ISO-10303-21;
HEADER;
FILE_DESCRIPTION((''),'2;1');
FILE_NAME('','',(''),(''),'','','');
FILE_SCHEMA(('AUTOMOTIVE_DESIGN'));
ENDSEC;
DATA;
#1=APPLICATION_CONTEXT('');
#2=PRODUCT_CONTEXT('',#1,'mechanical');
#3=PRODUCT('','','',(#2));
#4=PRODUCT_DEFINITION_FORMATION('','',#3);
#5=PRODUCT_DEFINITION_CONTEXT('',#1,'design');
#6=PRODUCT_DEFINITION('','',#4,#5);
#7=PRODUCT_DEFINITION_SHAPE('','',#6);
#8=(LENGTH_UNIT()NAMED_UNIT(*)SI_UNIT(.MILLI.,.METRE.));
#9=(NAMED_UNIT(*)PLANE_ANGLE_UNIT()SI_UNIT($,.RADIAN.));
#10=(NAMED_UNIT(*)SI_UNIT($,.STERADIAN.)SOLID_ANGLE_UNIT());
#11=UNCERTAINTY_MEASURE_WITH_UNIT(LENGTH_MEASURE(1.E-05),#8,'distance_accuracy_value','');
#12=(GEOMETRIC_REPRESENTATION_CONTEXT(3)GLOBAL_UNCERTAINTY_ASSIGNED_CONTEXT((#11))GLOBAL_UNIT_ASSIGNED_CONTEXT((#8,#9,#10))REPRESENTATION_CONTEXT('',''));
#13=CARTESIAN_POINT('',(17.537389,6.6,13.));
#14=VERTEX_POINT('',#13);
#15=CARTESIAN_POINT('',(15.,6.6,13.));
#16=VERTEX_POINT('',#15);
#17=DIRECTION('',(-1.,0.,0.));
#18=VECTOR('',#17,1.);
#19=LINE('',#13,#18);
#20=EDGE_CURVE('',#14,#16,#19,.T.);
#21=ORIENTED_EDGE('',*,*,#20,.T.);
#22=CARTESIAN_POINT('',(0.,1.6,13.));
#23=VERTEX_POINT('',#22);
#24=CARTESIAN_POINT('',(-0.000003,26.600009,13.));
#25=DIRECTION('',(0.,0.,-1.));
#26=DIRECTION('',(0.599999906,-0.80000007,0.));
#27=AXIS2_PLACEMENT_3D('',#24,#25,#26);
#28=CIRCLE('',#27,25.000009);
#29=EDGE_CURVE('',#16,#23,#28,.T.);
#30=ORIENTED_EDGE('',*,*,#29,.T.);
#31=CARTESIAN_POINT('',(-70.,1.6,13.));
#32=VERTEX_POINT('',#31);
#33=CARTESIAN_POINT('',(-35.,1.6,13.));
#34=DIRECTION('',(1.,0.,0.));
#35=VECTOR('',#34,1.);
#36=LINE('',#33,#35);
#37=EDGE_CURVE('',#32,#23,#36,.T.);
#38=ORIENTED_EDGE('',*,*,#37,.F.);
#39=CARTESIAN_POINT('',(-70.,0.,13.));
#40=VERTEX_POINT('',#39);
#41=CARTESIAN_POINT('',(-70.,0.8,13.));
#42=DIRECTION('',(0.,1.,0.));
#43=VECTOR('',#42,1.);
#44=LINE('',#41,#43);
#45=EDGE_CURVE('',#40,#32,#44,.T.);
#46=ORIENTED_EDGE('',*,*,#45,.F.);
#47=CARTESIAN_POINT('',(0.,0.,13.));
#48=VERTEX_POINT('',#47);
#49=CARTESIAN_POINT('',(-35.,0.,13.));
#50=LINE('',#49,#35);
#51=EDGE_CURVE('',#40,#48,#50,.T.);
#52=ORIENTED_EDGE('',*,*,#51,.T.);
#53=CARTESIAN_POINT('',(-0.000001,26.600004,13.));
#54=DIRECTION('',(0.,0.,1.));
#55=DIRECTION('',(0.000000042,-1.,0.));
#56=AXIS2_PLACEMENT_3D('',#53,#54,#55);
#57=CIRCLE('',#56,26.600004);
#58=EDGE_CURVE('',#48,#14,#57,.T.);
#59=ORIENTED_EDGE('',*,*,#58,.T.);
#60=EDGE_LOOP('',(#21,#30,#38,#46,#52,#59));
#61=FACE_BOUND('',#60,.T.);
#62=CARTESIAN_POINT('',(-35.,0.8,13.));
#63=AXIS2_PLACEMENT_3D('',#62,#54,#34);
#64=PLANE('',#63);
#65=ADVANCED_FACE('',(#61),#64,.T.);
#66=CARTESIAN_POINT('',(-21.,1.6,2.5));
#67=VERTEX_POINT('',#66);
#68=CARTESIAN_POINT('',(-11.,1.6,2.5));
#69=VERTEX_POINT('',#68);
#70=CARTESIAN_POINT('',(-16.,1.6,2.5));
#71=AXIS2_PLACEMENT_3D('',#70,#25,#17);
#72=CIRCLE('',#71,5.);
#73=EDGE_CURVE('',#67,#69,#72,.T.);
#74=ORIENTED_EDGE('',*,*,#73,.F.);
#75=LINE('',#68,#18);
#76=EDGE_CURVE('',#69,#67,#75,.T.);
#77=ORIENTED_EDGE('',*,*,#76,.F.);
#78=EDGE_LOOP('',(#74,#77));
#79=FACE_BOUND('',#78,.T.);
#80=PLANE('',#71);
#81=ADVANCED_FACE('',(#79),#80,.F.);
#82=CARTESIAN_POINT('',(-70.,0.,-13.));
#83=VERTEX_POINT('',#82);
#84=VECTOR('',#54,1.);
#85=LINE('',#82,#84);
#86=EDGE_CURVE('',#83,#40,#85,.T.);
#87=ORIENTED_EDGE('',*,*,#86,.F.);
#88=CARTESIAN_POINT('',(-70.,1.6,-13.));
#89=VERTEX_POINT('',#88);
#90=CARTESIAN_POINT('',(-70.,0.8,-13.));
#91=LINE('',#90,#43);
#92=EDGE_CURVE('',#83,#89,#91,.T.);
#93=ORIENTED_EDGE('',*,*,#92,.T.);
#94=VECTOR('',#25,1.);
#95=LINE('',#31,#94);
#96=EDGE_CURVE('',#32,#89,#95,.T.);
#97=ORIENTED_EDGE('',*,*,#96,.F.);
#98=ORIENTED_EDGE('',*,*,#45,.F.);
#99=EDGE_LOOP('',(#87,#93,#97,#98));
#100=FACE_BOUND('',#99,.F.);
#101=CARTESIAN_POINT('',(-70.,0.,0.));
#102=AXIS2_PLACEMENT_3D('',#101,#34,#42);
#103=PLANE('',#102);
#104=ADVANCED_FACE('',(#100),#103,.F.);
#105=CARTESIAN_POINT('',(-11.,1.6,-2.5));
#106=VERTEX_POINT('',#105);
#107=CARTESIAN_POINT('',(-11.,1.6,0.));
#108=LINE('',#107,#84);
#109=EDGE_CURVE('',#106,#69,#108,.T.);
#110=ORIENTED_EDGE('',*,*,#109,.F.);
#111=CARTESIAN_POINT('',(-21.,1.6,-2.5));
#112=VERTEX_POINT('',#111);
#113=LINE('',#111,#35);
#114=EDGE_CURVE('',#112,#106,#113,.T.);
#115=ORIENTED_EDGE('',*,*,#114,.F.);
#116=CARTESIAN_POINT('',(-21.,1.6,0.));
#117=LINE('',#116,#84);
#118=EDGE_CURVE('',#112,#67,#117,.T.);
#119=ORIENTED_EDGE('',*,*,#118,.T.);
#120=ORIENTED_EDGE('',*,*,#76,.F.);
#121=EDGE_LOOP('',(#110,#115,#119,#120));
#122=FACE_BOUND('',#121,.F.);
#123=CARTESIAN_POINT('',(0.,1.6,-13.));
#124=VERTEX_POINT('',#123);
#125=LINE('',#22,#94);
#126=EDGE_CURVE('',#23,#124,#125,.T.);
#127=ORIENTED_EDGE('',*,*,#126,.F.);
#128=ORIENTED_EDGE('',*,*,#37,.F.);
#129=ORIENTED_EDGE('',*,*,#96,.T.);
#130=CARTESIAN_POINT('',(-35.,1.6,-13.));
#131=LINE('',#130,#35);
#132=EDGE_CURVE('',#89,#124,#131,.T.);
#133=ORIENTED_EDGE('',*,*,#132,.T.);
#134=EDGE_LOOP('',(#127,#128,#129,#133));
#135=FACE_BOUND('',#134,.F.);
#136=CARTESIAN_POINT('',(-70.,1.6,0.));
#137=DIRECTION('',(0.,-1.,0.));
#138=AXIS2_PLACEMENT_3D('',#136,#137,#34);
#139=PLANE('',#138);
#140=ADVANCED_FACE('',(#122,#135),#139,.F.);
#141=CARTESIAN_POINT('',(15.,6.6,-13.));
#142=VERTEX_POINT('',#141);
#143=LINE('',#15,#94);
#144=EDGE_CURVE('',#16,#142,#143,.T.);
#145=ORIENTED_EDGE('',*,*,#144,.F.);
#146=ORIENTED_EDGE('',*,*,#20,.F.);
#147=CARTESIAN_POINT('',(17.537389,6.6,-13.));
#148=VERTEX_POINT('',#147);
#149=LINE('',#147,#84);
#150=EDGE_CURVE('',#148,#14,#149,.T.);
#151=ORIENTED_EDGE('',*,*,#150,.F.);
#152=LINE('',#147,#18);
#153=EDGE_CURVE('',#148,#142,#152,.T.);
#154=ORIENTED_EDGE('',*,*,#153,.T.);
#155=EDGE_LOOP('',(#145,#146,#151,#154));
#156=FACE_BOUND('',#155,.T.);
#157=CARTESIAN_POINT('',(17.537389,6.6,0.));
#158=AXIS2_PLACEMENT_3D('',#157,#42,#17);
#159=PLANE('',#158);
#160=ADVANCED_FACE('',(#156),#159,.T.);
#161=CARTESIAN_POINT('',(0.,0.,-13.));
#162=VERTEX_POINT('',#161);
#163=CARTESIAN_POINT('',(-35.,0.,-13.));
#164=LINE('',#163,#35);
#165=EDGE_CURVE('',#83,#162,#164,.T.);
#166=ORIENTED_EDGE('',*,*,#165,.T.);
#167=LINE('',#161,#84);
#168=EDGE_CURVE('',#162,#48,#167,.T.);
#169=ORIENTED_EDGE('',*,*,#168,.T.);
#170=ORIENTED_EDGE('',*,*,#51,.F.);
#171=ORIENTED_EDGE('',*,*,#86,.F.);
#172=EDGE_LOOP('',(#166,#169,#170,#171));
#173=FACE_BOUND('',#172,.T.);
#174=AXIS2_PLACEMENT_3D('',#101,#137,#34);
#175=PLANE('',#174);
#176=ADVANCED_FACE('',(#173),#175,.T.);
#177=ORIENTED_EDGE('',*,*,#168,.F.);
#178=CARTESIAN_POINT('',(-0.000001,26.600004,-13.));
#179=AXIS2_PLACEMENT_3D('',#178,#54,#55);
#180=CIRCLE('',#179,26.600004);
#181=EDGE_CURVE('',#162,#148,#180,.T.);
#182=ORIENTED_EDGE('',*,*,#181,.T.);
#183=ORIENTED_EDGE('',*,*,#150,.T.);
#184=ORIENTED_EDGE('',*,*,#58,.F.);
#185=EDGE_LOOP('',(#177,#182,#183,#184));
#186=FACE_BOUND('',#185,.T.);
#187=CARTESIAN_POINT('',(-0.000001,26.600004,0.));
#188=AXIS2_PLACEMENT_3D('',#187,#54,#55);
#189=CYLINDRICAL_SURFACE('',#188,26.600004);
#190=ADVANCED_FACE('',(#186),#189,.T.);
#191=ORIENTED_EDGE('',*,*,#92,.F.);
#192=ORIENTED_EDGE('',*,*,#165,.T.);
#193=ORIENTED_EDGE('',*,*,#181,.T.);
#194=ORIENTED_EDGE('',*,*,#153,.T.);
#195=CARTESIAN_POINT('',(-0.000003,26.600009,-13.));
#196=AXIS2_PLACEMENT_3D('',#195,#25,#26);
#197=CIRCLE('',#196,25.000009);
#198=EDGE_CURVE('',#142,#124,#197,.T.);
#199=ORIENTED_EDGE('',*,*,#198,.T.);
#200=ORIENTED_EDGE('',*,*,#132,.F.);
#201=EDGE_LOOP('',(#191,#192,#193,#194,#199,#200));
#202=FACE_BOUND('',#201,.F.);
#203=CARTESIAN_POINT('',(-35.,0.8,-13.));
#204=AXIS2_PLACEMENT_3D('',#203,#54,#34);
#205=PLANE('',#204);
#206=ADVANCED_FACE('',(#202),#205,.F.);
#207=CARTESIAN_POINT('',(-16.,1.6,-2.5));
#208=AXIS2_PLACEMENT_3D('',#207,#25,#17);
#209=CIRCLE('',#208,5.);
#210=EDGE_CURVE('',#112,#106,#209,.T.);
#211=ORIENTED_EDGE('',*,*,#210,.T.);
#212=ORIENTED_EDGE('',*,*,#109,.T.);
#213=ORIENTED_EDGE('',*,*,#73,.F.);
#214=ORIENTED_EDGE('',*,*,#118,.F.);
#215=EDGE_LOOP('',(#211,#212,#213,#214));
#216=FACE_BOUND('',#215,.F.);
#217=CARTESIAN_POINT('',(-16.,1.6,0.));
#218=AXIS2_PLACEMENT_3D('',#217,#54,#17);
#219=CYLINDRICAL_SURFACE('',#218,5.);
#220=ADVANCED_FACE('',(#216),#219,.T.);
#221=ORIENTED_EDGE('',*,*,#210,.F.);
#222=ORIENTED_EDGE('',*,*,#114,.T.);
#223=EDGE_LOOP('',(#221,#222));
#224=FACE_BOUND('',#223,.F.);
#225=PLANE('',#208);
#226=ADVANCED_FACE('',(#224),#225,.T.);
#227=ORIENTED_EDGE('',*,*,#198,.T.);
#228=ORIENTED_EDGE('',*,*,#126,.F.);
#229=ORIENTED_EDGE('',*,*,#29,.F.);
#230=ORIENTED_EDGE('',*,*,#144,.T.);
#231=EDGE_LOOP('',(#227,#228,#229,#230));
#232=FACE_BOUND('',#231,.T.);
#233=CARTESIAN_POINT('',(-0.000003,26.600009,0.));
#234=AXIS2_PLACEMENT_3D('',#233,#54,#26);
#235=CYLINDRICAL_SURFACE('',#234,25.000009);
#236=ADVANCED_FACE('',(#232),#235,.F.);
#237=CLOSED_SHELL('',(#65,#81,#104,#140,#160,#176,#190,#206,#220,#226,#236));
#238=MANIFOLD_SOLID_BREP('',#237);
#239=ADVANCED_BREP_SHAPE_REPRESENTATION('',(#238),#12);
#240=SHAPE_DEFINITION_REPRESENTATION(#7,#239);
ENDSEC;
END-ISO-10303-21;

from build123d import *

# Parameters (mm, degrees)
F0_W          = 70
F0_H          = 1.6
F1_DEPTH      = 13
F1_DEPTH_BACK = 13
F2_W          = 5
F2_H          = 5
F3_ANGLE      = 180


with BuildPart() as f1:
    # F0 (on Top) → F1 (new body, two sides)
    with BuildSketch(Plane.XY) as f1_sk:
        with Locations((-35, 0.8)):
            Rectangle(F0_W, F0_H)
        with BuildLine():
            Line((0, 1.6), (0, 0))
            ThreePointArc((0, 0), (9.369098, 1.704619), (17.537389, 6.6))
            Line((17.537389, 6.6), (15, 6.6))
            ThreePointArc((15, 6.6), (7.905694, 2.882918), (0, 1.6))
        make_face()
    extrude(amount=F1_DEPTH)
    extrude(f1_sk.sketch, amount=-F1_DEPTH_BACK)

    # F2 (on face) → F3 (revolve)
    with BuildSketch(Plane(origin=(0, 1.6, 0), x_dir=(-1, 0, 0), z_dir=(0, 1, 0))):
        with Locations((18.5, 0)):
            Rectangle(F2_W, F2_H)
    revolve(axis=Axis((-16, 1.6, 0), (0, 0, -1)), revolution_arc=F3_ANGLE)


solid = f1.part
